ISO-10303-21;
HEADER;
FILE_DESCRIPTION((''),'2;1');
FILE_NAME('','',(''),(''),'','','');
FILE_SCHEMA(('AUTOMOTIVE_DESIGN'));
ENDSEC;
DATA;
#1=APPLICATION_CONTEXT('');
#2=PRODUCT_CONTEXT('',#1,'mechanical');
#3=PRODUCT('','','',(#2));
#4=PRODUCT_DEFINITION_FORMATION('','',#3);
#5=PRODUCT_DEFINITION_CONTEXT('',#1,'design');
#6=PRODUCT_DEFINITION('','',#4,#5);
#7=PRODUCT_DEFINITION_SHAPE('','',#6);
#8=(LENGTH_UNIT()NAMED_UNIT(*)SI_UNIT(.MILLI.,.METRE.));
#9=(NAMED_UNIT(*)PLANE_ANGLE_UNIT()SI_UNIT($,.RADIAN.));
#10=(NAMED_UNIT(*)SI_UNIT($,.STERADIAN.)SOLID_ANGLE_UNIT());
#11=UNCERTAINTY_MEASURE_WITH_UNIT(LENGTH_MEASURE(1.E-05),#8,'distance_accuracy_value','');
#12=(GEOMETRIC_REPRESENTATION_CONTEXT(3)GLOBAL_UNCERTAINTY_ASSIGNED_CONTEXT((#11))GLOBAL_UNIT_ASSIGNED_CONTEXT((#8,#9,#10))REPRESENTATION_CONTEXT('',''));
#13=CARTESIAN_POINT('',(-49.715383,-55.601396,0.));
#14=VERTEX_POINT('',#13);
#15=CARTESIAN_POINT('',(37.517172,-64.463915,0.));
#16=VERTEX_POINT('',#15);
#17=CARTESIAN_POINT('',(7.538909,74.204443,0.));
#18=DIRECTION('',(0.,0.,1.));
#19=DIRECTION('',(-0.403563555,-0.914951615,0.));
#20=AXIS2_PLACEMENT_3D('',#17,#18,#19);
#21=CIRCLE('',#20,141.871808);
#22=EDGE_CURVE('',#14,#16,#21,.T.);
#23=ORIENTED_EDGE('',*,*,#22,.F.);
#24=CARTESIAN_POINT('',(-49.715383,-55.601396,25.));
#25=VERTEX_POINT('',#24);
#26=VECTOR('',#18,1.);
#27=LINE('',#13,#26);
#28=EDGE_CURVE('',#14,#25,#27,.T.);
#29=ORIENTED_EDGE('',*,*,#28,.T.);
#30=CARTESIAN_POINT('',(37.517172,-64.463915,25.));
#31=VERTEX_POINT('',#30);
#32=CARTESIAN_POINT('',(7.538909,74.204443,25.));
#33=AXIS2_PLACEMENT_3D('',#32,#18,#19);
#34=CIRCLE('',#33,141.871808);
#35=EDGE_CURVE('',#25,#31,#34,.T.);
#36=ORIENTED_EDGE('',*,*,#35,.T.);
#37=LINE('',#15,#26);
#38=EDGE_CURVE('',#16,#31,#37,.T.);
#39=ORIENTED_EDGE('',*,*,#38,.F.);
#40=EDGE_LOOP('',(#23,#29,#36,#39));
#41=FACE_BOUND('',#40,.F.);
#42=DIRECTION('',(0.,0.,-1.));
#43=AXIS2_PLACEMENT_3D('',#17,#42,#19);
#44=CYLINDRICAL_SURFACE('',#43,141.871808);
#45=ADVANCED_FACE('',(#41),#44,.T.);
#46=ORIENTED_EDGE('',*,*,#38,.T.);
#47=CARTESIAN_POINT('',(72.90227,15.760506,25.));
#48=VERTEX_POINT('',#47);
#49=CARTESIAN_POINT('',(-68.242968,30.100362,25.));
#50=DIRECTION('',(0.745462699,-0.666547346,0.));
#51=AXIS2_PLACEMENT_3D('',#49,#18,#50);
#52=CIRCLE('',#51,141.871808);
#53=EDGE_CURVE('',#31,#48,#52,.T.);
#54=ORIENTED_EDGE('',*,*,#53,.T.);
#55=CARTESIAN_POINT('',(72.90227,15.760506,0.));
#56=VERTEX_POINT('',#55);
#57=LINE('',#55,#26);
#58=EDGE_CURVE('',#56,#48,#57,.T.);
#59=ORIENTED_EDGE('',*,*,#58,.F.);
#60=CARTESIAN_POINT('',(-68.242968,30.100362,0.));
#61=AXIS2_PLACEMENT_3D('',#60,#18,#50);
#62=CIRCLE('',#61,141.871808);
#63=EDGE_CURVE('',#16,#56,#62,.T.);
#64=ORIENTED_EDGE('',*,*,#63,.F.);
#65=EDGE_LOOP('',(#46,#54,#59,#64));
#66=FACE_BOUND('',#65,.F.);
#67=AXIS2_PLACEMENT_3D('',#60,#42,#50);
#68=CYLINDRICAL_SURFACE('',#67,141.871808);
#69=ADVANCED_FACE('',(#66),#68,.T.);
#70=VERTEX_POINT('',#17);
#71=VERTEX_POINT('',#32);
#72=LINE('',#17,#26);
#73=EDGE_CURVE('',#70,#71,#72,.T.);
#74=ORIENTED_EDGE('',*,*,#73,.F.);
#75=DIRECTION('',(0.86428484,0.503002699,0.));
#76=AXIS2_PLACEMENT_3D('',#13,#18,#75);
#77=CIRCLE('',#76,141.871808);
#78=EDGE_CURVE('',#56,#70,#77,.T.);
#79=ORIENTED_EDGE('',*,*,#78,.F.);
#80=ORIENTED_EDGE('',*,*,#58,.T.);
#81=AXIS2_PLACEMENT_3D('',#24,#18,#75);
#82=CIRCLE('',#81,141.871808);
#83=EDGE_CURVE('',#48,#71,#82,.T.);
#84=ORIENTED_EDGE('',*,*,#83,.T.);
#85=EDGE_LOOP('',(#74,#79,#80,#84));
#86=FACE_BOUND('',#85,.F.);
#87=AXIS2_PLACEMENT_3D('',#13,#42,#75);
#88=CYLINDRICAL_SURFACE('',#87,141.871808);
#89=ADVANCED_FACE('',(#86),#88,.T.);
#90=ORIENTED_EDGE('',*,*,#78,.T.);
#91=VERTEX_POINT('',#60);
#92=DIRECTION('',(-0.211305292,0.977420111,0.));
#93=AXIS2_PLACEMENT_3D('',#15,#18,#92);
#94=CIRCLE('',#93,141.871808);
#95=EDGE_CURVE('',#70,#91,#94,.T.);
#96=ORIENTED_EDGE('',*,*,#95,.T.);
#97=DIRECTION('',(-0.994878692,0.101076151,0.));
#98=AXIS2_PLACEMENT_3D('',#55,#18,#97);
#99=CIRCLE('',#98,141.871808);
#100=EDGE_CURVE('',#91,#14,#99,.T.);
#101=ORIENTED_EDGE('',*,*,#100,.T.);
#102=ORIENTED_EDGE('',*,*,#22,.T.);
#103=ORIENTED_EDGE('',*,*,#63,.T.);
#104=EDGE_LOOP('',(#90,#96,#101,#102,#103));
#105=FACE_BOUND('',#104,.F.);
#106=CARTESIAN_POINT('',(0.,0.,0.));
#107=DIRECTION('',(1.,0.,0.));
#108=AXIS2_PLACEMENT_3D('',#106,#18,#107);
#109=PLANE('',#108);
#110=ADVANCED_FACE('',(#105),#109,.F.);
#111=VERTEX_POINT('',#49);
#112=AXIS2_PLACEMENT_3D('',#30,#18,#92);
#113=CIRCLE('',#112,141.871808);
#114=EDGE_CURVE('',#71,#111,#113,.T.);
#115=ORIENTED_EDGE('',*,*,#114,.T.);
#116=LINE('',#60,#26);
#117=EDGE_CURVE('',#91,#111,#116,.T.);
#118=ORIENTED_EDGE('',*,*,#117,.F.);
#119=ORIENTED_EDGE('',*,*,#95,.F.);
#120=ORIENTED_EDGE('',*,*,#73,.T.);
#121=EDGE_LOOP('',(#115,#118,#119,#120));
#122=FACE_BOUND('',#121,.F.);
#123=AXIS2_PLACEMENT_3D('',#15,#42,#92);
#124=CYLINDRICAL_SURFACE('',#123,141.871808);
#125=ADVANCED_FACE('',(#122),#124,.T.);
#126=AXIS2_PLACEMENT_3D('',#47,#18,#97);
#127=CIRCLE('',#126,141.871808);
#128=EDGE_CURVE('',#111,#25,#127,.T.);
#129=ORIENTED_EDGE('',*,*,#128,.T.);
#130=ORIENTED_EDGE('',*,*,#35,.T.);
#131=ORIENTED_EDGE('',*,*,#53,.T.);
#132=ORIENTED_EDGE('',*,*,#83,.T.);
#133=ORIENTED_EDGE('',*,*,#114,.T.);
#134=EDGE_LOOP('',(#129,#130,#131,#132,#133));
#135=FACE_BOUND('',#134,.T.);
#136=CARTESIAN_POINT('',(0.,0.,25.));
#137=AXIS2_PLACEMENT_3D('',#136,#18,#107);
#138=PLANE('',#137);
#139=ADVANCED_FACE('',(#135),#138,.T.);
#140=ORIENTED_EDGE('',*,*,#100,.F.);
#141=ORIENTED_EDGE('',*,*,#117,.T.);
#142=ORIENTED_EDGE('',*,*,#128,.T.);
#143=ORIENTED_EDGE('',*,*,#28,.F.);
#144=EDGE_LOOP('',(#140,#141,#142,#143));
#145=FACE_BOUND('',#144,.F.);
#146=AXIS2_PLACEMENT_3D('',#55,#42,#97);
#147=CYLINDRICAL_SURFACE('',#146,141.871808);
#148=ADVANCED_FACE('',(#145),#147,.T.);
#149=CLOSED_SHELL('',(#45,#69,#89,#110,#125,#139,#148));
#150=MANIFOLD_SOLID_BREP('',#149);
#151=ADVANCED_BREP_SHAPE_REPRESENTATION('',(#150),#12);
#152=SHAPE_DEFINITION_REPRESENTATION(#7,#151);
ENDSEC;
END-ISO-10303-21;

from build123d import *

# Parameters (mm, degrees)
F1_DEPTH = 25


with BuildPart() as f1:
    # F0 (on Top) → F1 (new body)
    with BuildSketch(Plane.XY):
        with BuildLine():
            ThreePointArc((-49.715382543, -55.6013963989), (-6.8009476536, -66.9407953487), (37.5171722726, -64.4639149259))
            ThreePointArc((37.5171722726, -64.4639149259), (61.5628712195, -27.1539289627), (72.9022701693, 15.7605059268))
            ThreePointArc((72.9022701693, 15.7605059268), (44.8488945123, 50.1587443216), (7.5389085491, 74.2044432685))
            ThreePointArc((7.5389085491, 74.2044432685), (-33.844730053, 58.1537377864), (-68.2429684479, 30.1003621294))
            ThreePointArc((-68.2429684479, 30.1003621294), (-65.7660880251, -14.2177577968), (-49.715382543, -55.6013963989))
        make_face()
    extrude(amount=F1_DEPTH)


solid = f1.part
